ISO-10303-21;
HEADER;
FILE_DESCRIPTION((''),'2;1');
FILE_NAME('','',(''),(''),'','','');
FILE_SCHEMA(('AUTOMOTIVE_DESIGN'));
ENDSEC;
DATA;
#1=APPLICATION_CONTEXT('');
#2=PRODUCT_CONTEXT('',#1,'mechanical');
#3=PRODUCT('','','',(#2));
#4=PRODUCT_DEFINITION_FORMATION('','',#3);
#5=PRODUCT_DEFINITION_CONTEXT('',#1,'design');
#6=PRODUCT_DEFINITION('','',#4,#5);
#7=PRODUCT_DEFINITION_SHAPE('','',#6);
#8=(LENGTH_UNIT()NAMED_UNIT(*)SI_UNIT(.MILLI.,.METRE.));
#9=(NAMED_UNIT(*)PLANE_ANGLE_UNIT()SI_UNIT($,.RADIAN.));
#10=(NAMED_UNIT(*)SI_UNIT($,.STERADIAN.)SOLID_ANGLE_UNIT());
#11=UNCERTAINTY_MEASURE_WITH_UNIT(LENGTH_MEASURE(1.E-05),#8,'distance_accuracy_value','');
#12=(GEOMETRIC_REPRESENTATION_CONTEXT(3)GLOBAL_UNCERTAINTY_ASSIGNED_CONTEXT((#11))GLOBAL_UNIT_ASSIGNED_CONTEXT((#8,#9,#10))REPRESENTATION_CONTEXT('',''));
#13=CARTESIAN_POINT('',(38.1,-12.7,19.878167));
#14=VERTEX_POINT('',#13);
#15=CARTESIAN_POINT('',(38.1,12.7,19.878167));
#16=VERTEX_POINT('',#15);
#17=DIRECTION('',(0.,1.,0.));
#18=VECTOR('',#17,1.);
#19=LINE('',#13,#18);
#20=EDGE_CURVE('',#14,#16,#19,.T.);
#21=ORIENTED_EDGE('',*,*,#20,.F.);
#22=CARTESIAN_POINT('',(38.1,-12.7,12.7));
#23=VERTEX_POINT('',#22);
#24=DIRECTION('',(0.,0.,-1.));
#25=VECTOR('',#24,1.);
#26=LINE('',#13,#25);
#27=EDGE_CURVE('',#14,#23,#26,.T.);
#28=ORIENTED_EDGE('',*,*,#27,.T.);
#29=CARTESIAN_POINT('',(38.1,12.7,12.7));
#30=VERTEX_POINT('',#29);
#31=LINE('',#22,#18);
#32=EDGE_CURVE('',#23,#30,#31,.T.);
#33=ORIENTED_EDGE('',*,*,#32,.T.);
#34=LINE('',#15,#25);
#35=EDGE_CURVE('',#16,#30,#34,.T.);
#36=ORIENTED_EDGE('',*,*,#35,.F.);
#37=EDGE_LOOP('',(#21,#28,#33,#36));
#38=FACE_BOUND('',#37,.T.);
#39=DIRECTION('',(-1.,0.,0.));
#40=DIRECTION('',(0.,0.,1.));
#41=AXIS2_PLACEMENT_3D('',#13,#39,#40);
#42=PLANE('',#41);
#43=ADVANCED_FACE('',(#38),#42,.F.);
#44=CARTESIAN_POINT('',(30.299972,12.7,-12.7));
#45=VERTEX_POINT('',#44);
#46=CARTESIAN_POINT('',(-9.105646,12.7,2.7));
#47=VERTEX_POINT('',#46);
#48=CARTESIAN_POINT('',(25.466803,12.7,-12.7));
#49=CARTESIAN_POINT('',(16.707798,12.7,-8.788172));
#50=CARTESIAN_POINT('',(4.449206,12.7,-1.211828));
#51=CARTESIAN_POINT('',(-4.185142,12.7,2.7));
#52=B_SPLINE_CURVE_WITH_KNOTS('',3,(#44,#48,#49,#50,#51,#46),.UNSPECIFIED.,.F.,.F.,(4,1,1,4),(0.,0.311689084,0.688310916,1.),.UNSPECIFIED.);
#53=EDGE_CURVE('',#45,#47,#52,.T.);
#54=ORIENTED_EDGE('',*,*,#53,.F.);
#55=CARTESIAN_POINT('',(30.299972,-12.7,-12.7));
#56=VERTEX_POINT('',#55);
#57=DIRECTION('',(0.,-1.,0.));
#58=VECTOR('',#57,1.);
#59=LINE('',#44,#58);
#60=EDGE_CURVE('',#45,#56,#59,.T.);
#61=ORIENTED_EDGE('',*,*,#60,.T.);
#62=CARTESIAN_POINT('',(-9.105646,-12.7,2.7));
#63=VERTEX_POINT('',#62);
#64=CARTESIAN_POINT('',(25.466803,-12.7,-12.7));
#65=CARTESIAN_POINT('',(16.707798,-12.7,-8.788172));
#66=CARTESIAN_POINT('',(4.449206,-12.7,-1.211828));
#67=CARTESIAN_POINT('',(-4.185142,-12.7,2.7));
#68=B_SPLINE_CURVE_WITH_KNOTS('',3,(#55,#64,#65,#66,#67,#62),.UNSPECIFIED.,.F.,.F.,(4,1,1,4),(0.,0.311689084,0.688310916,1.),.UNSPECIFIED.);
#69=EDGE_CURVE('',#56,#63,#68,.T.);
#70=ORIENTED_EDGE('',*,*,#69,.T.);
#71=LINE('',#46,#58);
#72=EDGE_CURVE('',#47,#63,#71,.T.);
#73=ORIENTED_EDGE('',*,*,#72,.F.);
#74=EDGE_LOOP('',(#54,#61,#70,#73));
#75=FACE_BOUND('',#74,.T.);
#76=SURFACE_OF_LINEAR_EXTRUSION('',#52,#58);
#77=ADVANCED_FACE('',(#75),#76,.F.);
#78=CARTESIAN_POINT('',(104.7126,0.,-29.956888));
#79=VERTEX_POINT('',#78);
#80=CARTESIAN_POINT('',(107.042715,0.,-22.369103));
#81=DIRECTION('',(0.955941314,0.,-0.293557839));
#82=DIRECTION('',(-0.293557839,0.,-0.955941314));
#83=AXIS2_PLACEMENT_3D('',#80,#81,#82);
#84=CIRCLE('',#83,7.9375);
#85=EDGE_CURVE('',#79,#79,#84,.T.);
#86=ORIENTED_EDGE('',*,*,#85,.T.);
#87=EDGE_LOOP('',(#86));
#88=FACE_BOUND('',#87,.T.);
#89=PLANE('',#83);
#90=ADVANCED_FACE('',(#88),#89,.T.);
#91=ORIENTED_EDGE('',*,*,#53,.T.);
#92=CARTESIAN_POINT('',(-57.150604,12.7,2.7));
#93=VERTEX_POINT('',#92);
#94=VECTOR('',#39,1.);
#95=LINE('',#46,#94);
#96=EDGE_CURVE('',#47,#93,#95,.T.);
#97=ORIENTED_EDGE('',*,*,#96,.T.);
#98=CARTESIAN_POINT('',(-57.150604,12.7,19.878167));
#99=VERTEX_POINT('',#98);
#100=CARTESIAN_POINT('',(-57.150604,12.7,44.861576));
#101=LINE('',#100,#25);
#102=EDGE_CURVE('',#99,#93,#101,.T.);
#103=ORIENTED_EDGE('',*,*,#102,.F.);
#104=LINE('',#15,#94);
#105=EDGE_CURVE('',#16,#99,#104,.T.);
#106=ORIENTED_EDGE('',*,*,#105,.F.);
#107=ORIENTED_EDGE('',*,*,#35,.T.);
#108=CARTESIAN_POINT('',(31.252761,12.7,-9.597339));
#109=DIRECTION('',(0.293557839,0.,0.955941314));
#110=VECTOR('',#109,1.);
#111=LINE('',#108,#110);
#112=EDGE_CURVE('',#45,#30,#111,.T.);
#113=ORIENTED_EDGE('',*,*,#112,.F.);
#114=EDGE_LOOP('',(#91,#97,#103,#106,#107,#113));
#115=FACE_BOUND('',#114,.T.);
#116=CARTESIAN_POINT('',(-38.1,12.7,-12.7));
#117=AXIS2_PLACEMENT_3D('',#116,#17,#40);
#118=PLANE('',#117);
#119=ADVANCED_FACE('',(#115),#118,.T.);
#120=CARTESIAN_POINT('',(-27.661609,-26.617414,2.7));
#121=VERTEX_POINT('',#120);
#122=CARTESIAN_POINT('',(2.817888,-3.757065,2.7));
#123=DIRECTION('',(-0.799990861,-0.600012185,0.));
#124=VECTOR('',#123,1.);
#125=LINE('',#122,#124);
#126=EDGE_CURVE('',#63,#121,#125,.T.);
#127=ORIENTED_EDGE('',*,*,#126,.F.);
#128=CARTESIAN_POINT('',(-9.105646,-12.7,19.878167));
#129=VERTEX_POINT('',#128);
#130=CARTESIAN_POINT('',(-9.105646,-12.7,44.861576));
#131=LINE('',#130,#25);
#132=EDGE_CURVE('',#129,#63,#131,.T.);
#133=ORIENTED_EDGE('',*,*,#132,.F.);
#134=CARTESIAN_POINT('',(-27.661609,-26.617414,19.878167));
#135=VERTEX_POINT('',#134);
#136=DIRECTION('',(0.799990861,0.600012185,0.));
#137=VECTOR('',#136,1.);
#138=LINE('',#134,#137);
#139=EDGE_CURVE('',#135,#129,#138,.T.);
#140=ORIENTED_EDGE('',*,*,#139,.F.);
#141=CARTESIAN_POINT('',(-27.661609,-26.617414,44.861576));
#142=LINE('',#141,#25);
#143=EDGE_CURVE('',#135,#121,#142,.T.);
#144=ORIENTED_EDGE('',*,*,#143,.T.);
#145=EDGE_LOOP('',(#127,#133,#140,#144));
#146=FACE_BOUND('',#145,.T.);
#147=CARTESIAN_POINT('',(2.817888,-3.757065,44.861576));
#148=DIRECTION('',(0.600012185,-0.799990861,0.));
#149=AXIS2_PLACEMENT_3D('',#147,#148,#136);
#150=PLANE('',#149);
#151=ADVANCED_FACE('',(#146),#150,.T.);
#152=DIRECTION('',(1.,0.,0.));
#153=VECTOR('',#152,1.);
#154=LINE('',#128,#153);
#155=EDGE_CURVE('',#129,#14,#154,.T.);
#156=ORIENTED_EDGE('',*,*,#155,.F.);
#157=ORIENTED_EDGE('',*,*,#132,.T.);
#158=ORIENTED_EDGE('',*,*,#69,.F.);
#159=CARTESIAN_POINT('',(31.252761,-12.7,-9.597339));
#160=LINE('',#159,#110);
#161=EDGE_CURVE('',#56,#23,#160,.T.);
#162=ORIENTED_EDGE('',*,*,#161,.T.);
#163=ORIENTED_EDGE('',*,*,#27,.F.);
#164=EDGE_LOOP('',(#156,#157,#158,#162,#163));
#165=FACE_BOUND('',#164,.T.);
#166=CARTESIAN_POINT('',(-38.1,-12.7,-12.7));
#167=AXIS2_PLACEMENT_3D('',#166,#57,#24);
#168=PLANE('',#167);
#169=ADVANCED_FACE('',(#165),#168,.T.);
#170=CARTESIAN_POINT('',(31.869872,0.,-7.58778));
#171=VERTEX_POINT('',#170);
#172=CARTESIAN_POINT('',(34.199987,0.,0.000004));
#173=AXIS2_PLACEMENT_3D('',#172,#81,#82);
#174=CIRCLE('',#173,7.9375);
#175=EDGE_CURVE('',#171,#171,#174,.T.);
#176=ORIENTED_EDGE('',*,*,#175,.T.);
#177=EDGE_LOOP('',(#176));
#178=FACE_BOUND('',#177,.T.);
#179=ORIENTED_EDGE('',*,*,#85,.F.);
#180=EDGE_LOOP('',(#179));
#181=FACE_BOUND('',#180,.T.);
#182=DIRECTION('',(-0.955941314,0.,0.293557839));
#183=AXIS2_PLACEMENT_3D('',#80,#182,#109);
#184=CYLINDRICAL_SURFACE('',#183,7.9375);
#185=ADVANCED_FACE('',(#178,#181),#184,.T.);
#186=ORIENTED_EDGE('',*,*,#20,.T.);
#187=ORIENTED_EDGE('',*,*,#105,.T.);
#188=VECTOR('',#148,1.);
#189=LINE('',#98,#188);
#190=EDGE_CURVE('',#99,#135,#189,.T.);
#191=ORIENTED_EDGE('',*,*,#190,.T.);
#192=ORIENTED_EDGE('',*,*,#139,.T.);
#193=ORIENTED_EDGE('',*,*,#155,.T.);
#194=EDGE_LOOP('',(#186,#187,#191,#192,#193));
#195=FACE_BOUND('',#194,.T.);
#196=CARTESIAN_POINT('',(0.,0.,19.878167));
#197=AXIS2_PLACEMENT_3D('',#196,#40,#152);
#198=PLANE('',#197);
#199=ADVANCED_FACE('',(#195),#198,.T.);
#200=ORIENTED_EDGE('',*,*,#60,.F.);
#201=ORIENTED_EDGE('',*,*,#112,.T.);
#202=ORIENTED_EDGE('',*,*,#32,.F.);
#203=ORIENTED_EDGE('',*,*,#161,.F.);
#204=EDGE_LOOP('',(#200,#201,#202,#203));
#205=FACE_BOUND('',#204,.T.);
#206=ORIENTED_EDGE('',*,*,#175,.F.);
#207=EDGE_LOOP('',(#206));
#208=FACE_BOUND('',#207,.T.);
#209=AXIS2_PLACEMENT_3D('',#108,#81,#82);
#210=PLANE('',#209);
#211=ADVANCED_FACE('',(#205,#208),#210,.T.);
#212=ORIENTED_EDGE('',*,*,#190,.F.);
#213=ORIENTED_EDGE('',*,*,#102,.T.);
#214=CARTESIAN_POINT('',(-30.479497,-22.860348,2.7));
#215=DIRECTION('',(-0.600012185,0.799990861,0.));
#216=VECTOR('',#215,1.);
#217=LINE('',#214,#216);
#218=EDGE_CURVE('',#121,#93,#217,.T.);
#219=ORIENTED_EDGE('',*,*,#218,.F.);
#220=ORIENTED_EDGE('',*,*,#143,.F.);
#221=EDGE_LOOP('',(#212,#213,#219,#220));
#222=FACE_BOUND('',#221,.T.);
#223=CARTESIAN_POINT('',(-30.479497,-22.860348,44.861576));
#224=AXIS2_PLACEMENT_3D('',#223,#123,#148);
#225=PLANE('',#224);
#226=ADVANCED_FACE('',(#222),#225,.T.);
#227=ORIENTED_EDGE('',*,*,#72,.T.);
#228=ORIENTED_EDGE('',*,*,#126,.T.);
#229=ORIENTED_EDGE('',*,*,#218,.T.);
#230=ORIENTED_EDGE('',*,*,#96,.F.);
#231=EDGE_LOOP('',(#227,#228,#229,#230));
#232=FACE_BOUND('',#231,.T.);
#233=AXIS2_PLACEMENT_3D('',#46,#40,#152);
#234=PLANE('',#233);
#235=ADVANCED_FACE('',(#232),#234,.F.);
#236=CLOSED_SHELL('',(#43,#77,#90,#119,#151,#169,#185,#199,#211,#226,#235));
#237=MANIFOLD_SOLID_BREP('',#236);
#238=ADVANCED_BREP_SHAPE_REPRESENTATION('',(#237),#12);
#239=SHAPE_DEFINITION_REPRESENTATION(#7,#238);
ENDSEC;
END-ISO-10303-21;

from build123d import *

# Parameters (mm, degrees)
BOSS_EXTRUDE1_DEPTH      = 12.7
BOSS_EXTRUDE1_DEPTH_BACK = 12.7
SKETCH1_W                = 76.2
SKETCH1_H                = 25.4
CUT_EXTRUDE1_DEPTH       = 48.519048812
SKETCH4_R                = 7.9375
BOSS_EXTRUDE2_DEPTH      = 76.2
BOSS_EXTRUDE3_DEPTH      = 10
BOSS_EXTRUDE5_DEPTH      = 7.178167


with BuildPart() as part:
    # Sketch1 → Boss-Extrude1 (new, two sides: drawn at the far end of the back side and taken through both)
    with BuildSketch(Plane.XY.offset(-BOSS_EXTRUDE1_DEPTH_BACK)):
        Rectangle(SKETCH1_W, SKETCH1_H)
    extrude(amount=BOSS_EXTRUDE1_DEPTH + BOSS_EXTRUDE1_DEPTH_BACK)

    # Sketch2 → Cut-Extrude1 (cut, through all)
    with BuildSketch(Plane.XZ.offset(12.7)):
        Polygon((34.199985956, 0), (30.299971912, -12.7), (38.1, -12.7), (38.1, -1.197646421), align=None)
        Polygon((38.1, 12.7), (34.199985956, 0), (38.1, -1.197646421), align=None)
        with BuildLine():
            Line((30.299971912, -12.7), (-38.1, -12.7))
            Line((-38.1, -12.7), (-38.1, 2.7))
            Line((-38.1, 2.7), (-9.105646135, 2.7))
            add(Edge.make_bspline(
                [(30.299971912, -12.7), (25.466803171, -12.7), (16.707798139, -8.78817181), (4.449206283, -1.21182819), (-4.185142014, 2.7), (-9.105646135, 2.7)],
                knots=[0, 0, 0, 0, 0.311689084, 0.688310916, 1, 1, 1, 1], degree=3))
        make_face()
    extrude(amount=-CUT_EXTRUDE1_DEPTH, mode=Mode.SUBTRACT)

    # Sketch4 → Boss-Extrude2 (add)
    with BuildSketch(Plane(origin=(31.252760971, 0, -9.59733911), x_dir=(-0.2935578385035089, 0, -0.95594131381228), z_dir=(0.95594131381228, 0, -0.2935578385035089))):
        with Locations((-10.039678032, 0)):
            Circle(SKETCH4_R)
    extrude(amount=BOSS_EXTRUDE2_DEPTH)

    # Sketch5 → Boss-Extrude3 (add)
    with BuildSketch(Plane(origin=(0, 0, 2.7), x_dir=(-1, 0, 0), z_dir=(0, 0, -1))):
        Polygon((9.105646135, -12.7), (27.661608652, -26.617413502), (38.1, -12.7), align=None)
        Polygon((38.1, -12.7), (57.150604496, 12.7), (38.1, 12.7), align=None)
    extrude(amount=-BOSS_EXTRUDE3_DEPTH)

    # Sketch7 → Boss-Extrude5 (add)
    with BuildSketch(Plane.XY.offset(12.7)):
        Polygon((-57.150604496, 12.7), (-27.661608652, -26.617413502), (-9.105646135, -12.7), (38.1, -12.7), (38.1, 12.7), align=None)
    extrude(amount=BOSS_EXTRUDE5_DEPTH)


solid = part.part
